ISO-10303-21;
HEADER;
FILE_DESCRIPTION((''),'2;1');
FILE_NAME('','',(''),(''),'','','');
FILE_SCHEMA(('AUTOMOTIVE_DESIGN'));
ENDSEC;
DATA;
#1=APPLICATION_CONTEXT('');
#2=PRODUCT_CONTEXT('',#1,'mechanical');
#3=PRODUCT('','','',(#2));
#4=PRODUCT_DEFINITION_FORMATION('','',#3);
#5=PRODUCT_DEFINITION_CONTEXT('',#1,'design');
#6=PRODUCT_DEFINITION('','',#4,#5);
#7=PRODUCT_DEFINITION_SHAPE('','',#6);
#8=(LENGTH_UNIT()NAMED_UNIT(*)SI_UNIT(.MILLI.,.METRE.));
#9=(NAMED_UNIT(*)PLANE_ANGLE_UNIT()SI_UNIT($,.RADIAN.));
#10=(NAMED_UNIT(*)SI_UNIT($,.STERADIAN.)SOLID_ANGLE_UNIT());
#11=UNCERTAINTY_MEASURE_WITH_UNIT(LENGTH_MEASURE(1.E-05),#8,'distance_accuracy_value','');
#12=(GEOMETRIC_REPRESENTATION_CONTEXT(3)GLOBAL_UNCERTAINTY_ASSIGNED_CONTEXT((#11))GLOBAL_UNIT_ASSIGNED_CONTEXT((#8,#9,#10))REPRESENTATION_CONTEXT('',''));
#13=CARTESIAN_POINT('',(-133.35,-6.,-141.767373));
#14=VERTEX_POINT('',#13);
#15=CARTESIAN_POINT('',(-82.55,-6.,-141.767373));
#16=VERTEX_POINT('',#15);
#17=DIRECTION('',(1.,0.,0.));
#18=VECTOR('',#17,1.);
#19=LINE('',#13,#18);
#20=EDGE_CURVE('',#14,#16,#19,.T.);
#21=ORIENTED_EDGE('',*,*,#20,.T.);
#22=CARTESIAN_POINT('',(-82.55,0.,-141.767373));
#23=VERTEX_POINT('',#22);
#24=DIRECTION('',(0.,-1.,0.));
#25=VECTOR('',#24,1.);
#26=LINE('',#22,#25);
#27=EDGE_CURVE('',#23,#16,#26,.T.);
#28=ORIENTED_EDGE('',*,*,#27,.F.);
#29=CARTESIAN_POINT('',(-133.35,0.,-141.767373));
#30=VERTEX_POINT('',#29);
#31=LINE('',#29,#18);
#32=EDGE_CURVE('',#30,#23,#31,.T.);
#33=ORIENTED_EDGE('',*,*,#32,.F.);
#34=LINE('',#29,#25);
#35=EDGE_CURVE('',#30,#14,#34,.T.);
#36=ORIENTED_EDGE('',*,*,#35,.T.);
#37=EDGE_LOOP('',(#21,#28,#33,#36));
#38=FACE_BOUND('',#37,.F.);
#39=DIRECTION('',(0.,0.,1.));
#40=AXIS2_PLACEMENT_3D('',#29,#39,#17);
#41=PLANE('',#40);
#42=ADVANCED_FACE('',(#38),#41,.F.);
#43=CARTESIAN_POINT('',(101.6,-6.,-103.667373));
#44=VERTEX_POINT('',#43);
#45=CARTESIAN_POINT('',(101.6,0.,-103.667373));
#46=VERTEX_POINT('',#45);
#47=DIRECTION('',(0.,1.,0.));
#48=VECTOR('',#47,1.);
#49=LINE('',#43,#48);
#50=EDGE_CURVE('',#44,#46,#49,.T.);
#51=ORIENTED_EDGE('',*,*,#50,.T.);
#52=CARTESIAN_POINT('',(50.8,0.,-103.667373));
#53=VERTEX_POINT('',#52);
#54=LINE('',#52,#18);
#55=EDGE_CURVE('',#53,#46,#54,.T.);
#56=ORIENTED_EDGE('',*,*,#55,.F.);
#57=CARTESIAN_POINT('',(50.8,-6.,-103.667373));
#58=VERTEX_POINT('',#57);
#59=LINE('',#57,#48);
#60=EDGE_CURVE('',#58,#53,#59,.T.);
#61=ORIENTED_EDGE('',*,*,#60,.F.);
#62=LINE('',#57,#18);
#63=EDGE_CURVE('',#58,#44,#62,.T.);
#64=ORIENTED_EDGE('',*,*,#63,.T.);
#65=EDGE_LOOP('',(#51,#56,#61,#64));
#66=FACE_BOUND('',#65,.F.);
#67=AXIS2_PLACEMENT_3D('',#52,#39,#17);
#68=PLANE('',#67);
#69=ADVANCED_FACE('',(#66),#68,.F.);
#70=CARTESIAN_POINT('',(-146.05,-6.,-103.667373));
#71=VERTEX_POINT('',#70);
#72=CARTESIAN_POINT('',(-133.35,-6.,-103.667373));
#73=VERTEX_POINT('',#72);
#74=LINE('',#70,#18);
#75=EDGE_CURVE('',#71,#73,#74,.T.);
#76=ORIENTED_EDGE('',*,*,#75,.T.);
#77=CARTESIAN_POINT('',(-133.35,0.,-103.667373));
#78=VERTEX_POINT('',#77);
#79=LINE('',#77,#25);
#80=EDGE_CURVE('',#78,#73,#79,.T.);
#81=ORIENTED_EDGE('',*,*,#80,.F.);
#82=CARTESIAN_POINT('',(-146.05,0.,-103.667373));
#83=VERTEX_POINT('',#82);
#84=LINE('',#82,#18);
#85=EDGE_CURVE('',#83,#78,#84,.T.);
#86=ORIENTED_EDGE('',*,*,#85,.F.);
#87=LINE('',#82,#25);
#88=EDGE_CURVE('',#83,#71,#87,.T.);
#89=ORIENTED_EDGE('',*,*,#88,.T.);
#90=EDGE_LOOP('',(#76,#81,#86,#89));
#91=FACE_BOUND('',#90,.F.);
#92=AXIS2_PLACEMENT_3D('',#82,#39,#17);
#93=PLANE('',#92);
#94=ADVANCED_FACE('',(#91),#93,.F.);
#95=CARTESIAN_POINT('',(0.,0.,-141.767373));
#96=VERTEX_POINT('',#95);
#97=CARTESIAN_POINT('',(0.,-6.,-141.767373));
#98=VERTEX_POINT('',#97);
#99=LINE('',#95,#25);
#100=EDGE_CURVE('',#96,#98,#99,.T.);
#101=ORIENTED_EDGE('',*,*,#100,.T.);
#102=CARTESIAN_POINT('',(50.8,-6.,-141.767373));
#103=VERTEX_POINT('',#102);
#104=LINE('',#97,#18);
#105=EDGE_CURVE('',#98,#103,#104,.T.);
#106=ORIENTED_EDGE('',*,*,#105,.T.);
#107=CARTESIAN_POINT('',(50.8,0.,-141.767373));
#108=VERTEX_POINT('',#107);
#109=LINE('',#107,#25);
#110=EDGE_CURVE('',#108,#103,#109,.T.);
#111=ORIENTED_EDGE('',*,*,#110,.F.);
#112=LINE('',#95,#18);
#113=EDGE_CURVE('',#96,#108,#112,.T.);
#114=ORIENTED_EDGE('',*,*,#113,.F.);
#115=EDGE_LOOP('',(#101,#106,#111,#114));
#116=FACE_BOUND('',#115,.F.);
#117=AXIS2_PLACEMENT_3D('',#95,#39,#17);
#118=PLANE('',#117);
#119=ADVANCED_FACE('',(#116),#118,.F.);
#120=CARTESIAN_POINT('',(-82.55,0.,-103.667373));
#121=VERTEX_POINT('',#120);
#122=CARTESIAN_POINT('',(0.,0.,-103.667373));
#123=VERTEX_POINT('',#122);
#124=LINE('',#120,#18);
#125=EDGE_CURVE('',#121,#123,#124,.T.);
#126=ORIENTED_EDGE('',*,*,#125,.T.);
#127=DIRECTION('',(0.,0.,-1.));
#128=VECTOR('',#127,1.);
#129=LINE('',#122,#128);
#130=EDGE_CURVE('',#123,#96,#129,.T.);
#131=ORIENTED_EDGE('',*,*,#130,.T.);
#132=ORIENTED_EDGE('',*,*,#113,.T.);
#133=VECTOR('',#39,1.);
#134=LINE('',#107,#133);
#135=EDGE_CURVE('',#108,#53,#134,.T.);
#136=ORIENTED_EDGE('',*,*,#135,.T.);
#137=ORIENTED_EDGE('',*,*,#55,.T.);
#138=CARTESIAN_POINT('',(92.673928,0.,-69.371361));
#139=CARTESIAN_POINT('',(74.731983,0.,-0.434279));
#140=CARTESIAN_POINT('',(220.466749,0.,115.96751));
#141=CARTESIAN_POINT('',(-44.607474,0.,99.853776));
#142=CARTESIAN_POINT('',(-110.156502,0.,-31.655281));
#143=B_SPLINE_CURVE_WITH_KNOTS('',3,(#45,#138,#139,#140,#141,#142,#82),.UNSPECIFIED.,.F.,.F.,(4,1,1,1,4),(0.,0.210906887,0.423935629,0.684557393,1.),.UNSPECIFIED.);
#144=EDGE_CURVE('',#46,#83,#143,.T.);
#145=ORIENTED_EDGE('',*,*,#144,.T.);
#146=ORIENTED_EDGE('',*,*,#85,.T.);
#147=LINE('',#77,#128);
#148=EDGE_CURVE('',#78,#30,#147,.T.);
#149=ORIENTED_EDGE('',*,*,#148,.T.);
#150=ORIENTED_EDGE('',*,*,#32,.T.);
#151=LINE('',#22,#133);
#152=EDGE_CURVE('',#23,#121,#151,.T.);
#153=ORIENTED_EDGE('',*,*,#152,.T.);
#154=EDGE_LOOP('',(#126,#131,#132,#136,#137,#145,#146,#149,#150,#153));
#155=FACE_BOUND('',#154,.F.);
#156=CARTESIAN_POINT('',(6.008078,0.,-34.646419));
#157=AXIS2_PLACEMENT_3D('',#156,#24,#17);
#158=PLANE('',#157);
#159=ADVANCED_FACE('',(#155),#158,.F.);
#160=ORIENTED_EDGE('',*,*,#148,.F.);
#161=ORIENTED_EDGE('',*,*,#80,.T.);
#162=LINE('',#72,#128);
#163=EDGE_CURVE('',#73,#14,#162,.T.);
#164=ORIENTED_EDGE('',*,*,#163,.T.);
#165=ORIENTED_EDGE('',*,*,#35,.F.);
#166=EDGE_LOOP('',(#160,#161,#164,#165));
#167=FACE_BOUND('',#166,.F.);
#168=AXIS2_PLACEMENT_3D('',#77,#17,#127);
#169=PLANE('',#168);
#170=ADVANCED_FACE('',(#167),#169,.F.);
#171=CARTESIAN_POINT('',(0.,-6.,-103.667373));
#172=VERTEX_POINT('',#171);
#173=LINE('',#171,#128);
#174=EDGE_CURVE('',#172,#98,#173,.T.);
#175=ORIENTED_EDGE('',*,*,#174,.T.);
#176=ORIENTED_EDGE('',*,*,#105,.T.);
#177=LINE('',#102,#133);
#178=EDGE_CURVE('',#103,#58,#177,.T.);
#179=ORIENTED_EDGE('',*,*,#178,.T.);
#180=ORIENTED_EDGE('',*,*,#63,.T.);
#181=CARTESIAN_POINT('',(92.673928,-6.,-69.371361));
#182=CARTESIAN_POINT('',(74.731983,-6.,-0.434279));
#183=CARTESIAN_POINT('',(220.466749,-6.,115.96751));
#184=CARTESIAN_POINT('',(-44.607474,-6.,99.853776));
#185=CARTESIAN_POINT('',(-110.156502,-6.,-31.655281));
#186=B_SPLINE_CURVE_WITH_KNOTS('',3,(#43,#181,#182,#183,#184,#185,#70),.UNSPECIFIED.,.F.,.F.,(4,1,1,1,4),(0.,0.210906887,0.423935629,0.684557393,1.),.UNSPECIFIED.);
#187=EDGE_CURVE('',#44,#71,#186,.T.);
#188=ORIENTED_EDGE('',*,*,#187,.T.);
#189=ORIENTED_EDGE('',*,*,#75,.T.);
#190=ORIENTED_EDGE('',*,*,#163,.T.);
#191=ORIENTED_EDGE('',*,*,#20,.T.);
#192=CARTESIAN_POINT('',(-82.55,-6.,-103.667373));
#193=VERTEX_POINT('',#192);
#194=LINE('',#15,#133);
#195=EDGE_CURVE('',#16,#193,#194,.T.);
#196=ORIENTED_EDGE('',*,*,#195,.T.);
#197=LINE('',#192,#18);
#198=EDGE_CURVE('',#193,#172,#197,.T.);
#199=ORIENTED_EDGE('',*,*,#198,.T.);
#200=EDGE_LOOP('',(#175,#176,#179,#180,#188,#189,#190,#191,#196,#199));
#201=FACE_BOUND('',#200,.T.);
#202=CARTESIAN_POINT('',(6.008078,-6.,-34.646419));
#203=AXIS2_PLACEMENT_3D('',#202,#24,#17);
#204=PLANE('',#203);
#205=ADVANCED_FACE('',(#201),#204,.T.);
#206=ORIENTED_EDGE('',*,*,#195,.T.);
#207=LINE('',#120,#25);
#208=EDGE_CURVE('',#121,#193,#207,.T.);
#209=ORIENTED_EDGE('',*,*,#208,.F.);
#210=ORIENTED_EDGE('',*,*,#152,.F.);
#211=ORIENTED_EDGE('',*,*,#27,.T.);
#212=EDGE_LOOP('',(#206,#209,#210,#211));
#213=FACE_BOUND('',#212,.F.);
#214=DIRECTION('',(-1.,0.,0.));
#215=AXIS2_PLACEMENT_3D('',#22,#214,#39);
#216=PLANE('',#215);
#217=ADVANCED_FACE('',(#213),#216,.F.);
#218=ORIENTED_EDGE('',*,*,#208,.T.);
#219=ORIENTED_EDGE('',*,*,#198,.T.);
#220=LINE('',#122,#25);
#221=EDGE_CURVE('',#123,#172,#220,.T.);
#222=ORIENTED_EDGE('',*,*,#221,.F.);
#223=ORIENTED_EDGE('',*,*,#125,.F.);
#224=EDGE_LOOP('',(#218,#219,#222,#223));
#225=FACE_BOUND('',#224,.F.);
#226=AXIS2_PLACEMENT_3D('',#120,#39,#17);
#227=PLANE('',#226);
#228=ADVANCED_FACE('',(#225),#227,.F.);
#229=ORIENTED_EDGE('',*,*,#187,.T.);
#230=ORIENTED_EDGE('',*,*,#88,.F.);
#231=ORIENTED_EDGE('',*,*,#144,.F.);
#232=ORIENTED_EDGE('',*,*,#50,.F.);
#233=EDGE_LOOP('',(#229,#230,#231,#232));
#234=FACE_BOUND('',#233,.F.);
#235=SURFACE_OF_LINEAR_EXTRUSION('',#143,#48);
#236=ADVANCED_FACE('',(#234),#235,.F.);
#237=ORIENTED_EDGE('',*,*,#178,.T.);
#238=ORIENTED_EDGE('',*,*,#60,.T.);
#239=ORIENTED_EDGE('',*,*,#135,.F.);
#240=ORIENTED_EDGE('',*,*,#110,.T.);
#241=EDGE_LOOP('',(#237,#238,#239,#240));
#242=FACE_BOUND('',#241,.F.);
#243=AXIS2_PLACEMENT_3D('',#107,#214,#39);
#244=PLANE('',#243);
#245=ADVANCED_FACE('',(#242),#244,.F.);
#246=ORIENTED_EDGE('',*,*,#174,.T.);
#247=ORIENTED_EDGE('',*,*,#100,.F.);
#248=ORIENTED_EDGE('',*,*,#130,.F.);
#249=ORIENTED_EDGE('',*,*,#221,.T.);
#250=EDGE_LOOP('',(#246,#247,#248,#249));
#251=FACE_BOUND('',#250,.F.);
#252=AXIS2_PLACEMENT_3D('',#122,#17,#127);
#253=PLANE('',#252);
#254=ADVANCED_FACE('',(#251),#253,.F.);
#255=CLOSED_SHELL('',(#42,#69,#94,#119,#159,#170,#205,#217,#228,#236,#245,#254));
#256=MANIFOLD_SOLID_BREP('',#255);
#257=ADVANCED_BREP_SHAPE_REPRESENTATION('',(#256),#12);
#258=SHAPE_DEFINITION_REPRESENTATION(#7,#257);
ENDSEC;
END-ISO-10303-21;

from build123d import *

# Parameters (mm, degrees)
F1_DEPTH = 6
F2_DEPTH = 3.0535180122


with BuildPart() as f1:
    # F0 (on Front) → F1 (new body)
    with BuildSketch(Plane.XZ):
        with BuildLine():
            add(Edge.make_bspline(
                [(101.6, -103.6673732071), (92.6739275308, -69.3713613541), (74.7319829597, -0.4342794118), (220.4667490361, 115.9675104329), (-44.6074735149, 99.853775851), (-110.1565016256, -31.6552807755), (-146.05, -103.6673732071)],
                knots=[0, 0, 0, 0, 0.2109068868, 0.4239356289, 0.6845573929, 1, 1, 1, 1], degree=3))
            Line((-146.05, -103.6673732071), (-133.35, -103.6673732071))
            Line((-133.35, -103.6673732071), (-133.35, -141.7673732071))
            Line((-133.35, -141.7673732071), (-82.55, -141.7673732071))
            Line((-82.55, -141.7673732071), (-82.55, -103.6673732071))
            Line((-82.55, -103.6673732071), (0, -103.6673732071))
            Line((0, -103.6673732071), (0, -141.7673732071))
            Line((0, -141.7673732071), (50.8, -141.7673732071))
            Line((50.8, -141.7673732071), (50.8, -103.6673732071))
            Line((50.8, -103.6673732071), (101.6, -103.6673732071))
        make_face()
    extrude(amount=F1_DEPTH)

    # F0 (on Front) → F2 (join)
    with BuildSketch(Plane.XZ):
        with BuildLine():
            add(Edge.make_bspline(
                [(101.6, -103.6673732071), (92.6739275308, -69.3713613541), (74.7319829597, -0.4342794118), (220.4667490361, 115.9675104329), (-44.6074735149, 99.853775851), (-110.1565016256, -31.6552807755), (-146.05, -103.6673732071)],
                knots=[0, 0, 0, 0, 0.2109068868, 0.4239356289, 0.6845573929, 1, 1, 1, 1], degree=3))
            Line((-146.05, -103.6673732071), (-133.35, -103.6673732071))
            Line((-133.35, -103.6673732071), (-133.35, -141.7673732071))
            Line((-133.35, -141.7673732071), (-82.55, -141.7673732071))
            Line((-82.55, -141.7673732071), (-82.55, -103.6673732071))
            Line((-82.55, -103.6673732071), (0, -103.6673732071))
            Line((0, -103.6673732071), (0, -141.7673732071))
            Line((0, -141.7673732071), (50.8, -141.7673732071))
            Line((50.8, -141.7673732071), (50.8, -103.6673732071))
            Line((50.8, -103.6673732071), (101.6, -103.6673732071))
        make_face()
    extrude(amount=F2_DEPTH)


solid = f1.part
